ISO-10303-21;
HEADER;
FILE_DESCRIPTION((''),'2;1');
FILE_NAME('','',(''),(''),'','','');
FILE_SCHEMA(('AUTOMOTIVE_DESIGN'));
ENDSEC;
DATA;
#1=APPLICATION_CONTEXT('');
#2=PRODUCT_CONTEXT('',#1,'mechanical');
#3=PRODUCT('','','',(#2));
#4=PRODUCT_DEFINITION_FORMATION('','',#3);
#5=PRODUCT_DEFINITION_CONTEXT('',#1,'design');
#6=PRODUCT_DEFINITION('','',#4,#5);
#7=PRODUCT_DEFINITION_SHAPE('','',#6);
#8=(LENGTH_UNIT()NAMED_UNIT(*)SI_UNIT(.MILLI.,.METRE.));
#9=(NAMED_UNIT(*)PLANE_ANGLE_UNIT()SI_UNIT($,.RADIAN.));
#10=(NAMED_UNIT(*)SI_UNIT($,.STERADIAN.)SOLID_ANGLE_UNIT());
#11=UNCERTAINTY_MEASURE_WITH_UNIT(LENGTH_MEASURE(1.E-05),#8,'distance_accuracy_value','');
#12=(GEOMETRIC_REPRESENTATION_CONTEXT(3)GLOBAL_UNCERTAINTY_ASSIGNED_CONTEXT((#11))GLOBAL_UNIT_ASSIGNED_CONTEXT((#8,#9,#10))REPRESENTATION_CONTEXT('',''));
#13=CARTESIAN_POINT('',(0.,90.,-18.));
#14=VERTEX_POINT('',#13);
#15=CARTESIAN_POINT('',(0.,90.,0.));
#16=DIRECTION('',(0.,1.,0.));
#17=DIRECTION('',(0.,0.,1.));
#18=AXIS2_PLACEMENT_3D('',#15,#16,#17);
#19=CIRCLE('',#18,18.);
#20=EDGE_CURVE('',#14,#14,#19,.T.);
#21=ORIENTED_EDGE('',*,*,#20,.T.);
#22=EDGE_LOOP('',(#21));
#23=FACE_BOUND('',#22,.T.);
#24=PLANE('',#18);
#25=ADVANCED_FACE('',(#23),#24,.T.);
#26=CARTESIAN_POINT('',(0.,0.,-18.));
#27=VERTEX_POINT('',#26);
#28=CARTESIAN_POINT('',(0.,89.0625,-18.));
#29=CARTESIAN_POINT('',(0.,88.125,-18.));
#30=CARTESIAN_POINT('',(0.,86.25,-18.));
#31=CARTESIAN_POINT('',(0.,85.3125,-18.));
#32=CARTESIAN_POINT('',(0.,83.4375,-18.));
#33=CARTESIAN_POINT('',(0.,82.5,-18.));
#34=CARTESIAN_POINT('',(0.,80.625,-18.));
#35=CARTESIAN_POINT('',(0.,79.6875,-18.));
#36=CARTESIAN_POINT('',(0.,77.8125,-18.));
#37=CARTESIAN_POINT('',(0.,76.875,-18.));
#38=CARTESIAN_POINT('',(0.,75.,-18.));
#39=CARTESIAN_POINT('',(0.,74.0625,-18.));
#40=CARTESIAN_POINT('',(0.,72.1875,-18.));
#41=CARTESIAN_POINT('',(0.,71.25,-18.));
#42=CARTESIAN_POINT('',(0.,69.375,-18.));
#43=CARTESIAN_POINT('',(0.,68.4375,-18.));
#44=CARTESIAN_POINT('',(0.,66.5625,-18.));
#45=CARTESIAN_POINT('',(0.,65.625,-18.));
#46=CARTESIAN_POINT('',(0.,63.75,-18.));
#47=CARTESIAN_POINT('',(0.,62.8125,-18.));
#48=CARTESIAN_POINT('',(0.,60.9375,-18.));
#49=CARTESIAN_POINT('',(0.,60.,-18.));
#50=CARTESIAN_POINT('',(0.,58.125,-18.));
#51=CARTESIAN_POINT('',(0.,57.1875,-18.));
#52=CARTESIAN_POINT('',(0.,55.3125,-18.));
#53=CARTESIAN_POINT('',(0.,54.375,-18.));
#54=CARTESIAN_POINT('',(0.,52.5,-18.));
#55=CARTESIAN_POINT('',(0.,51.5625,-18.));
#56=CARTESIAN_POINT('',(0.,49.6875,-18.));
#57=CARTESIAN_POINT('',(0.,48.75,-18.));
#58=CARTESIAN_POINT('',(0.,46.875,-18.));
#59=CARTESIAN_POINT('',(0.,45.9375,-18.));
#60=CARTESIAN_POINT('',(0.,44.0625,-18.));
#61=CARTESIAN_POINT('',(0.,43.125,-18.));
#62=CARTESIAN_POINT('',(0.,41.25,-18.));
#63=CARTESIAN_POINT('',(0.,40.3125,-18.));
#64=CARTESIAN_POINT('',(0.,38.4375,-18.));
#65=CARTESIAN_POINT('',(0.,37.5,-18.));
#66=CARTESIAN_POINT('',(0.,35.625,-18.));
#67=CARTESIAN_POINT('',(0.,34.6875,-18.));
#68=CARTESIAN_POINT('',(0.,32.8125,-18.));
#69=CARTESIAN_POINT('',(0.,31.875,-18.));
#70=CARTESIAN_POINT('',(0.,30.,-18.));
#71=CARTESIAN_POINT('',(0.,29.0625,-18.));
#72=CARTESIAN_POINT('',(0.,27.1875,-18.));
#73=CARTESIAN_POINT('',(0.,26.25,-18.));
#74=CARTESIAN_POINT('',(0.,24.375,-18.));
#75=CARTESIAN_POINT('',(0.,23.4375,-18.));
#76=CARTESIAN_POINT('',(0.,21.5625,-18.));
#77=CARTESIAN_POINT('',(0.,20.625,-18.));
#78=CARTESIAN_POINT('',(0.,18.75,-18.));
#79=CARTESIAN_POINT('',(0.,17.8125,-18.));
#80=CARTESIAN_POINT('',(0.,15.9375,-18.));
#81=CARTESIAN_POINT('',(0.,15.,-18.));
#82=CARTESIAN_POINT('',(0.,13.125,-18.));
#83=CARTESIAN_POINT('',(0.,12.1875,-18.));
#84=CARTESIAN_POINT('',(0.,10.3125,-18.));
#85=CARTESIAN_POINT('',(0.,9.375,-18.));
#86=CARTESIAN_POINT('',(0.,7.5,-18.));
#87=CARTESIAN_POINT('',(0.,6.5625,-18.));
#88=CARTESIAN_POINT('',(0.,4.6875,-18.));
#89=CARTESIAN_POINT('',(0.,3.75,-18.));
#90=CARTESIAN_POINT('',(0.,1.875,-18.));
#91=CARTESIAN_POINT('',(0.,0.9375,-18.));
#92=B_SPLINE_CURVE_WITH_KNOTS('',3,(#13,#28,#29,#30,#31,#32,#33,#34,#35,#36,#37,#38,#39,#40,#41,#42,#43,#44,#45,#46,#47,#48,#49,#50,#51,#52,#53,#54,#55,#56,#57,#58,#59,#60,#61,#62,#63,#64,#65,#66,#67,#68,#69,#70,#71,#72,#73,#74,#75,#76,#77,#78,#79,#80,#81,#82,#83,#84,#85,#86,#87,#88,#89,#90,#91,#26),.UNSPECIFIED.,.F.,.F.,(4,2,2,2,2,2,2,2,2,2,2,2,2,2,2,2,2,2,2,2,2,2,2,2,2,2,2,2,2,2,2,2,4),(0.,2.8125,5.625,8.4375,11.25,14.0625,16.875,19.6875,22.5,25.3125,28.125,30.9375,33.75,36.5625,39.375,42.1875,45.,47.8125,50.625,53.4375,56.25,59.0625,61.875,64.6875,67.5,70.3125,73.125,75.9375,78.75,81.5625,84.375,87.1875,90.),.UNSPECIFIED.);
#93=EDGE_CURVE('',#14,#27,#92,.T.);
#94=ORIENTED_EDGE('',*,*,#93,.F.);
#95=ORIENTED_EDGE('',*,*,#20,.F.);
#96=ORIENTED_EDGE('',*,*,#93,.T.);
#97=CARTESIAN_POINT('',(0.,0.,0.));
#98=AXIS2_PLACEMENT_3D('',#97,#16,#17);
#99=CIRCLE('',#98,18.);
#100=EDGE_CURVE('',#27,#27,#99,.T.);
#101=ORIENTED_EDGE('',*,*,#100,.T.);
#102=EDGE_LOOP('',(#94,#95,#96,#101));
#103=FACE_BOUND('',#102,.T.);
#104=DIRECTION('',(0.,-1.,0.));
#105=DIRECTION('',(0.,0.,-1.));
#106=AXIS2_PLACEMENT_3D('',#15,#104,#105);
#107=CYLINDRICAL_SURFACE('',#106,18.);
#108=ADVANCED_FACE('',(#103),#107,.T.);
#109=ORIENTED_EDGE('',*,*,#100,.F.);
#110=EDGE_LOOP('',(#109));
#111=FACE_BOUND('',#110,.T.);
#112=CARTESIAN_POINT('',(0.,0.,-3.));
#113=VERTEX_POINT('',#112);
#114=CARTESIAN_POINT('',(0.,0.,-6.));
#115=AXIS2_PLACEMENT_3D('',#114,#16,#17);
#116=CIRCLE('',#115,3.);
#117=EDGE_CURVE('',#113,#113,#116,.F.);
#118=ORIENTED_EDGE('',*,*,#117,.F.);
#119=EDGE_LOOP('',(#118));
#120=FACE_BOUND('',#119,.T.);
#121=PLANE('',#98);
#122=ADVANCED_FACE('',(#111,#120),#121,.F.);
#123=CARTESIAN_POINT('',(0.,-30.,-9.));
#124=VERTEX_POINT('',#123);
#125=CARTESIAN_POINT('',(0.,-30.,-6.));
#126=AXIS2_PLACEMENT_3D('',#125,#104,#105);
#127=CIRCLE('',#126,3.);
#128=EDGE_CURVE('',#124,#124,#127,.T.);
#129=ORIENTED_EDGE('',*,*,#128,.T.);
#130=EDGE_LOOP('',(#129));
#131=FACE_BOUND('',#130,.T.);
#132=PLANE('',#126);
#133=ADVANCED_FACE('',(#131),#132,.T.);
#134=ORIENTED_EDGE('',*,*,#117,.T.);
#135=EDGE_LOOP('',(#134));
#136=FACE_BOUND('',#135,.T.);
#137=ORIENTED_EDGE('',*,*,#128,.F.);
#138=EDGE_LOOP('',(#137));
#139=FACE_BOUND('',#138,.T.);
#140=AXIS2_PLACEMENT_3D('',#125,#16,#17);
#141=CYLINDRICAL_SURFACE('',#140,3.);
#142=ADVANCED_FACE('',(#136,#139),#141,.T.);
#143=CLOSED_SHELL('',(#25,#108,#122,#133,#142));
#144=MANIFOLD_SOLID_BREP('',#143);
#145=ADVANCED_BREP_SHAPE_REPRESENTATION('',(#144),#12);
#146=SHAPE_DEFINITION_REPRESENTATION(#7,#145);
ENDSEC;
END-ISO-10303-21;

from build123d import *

# Parameters (mm, degrees)
SKETCH1_R           = 18
BOSS_EXTRUDE1_DEPTH = 90
SKETCH2_R           = 3
BOSS_EXTRUDE2_DEPTH = 30


with BuildPart() as part:
    # Sketch1 → Boss-Extrude1 (new body)
    with BuildSketch(Plane(origin=(0, 0, 0), x_dir=(1, 0, 0), z_dir=(0, 1, 0))):
        with Locations(Location((0, 0, 0), (0, 0, 90))):
            Circle(SKETCH1_R)
    extrude(amount=BOSS_EXTRUDE1_DEPTH)

    # Sketch2 → Boss-Extrude2 (add)
    with BuildSketch(Plane.XZ):
        with Locations(Location((0, -6, 0), (0, 0, 90))):
            Circle(SKETCH2_R)
    extrude(amount=BOSS_EXTRUDE2_DEPTH)


solid = part.part
